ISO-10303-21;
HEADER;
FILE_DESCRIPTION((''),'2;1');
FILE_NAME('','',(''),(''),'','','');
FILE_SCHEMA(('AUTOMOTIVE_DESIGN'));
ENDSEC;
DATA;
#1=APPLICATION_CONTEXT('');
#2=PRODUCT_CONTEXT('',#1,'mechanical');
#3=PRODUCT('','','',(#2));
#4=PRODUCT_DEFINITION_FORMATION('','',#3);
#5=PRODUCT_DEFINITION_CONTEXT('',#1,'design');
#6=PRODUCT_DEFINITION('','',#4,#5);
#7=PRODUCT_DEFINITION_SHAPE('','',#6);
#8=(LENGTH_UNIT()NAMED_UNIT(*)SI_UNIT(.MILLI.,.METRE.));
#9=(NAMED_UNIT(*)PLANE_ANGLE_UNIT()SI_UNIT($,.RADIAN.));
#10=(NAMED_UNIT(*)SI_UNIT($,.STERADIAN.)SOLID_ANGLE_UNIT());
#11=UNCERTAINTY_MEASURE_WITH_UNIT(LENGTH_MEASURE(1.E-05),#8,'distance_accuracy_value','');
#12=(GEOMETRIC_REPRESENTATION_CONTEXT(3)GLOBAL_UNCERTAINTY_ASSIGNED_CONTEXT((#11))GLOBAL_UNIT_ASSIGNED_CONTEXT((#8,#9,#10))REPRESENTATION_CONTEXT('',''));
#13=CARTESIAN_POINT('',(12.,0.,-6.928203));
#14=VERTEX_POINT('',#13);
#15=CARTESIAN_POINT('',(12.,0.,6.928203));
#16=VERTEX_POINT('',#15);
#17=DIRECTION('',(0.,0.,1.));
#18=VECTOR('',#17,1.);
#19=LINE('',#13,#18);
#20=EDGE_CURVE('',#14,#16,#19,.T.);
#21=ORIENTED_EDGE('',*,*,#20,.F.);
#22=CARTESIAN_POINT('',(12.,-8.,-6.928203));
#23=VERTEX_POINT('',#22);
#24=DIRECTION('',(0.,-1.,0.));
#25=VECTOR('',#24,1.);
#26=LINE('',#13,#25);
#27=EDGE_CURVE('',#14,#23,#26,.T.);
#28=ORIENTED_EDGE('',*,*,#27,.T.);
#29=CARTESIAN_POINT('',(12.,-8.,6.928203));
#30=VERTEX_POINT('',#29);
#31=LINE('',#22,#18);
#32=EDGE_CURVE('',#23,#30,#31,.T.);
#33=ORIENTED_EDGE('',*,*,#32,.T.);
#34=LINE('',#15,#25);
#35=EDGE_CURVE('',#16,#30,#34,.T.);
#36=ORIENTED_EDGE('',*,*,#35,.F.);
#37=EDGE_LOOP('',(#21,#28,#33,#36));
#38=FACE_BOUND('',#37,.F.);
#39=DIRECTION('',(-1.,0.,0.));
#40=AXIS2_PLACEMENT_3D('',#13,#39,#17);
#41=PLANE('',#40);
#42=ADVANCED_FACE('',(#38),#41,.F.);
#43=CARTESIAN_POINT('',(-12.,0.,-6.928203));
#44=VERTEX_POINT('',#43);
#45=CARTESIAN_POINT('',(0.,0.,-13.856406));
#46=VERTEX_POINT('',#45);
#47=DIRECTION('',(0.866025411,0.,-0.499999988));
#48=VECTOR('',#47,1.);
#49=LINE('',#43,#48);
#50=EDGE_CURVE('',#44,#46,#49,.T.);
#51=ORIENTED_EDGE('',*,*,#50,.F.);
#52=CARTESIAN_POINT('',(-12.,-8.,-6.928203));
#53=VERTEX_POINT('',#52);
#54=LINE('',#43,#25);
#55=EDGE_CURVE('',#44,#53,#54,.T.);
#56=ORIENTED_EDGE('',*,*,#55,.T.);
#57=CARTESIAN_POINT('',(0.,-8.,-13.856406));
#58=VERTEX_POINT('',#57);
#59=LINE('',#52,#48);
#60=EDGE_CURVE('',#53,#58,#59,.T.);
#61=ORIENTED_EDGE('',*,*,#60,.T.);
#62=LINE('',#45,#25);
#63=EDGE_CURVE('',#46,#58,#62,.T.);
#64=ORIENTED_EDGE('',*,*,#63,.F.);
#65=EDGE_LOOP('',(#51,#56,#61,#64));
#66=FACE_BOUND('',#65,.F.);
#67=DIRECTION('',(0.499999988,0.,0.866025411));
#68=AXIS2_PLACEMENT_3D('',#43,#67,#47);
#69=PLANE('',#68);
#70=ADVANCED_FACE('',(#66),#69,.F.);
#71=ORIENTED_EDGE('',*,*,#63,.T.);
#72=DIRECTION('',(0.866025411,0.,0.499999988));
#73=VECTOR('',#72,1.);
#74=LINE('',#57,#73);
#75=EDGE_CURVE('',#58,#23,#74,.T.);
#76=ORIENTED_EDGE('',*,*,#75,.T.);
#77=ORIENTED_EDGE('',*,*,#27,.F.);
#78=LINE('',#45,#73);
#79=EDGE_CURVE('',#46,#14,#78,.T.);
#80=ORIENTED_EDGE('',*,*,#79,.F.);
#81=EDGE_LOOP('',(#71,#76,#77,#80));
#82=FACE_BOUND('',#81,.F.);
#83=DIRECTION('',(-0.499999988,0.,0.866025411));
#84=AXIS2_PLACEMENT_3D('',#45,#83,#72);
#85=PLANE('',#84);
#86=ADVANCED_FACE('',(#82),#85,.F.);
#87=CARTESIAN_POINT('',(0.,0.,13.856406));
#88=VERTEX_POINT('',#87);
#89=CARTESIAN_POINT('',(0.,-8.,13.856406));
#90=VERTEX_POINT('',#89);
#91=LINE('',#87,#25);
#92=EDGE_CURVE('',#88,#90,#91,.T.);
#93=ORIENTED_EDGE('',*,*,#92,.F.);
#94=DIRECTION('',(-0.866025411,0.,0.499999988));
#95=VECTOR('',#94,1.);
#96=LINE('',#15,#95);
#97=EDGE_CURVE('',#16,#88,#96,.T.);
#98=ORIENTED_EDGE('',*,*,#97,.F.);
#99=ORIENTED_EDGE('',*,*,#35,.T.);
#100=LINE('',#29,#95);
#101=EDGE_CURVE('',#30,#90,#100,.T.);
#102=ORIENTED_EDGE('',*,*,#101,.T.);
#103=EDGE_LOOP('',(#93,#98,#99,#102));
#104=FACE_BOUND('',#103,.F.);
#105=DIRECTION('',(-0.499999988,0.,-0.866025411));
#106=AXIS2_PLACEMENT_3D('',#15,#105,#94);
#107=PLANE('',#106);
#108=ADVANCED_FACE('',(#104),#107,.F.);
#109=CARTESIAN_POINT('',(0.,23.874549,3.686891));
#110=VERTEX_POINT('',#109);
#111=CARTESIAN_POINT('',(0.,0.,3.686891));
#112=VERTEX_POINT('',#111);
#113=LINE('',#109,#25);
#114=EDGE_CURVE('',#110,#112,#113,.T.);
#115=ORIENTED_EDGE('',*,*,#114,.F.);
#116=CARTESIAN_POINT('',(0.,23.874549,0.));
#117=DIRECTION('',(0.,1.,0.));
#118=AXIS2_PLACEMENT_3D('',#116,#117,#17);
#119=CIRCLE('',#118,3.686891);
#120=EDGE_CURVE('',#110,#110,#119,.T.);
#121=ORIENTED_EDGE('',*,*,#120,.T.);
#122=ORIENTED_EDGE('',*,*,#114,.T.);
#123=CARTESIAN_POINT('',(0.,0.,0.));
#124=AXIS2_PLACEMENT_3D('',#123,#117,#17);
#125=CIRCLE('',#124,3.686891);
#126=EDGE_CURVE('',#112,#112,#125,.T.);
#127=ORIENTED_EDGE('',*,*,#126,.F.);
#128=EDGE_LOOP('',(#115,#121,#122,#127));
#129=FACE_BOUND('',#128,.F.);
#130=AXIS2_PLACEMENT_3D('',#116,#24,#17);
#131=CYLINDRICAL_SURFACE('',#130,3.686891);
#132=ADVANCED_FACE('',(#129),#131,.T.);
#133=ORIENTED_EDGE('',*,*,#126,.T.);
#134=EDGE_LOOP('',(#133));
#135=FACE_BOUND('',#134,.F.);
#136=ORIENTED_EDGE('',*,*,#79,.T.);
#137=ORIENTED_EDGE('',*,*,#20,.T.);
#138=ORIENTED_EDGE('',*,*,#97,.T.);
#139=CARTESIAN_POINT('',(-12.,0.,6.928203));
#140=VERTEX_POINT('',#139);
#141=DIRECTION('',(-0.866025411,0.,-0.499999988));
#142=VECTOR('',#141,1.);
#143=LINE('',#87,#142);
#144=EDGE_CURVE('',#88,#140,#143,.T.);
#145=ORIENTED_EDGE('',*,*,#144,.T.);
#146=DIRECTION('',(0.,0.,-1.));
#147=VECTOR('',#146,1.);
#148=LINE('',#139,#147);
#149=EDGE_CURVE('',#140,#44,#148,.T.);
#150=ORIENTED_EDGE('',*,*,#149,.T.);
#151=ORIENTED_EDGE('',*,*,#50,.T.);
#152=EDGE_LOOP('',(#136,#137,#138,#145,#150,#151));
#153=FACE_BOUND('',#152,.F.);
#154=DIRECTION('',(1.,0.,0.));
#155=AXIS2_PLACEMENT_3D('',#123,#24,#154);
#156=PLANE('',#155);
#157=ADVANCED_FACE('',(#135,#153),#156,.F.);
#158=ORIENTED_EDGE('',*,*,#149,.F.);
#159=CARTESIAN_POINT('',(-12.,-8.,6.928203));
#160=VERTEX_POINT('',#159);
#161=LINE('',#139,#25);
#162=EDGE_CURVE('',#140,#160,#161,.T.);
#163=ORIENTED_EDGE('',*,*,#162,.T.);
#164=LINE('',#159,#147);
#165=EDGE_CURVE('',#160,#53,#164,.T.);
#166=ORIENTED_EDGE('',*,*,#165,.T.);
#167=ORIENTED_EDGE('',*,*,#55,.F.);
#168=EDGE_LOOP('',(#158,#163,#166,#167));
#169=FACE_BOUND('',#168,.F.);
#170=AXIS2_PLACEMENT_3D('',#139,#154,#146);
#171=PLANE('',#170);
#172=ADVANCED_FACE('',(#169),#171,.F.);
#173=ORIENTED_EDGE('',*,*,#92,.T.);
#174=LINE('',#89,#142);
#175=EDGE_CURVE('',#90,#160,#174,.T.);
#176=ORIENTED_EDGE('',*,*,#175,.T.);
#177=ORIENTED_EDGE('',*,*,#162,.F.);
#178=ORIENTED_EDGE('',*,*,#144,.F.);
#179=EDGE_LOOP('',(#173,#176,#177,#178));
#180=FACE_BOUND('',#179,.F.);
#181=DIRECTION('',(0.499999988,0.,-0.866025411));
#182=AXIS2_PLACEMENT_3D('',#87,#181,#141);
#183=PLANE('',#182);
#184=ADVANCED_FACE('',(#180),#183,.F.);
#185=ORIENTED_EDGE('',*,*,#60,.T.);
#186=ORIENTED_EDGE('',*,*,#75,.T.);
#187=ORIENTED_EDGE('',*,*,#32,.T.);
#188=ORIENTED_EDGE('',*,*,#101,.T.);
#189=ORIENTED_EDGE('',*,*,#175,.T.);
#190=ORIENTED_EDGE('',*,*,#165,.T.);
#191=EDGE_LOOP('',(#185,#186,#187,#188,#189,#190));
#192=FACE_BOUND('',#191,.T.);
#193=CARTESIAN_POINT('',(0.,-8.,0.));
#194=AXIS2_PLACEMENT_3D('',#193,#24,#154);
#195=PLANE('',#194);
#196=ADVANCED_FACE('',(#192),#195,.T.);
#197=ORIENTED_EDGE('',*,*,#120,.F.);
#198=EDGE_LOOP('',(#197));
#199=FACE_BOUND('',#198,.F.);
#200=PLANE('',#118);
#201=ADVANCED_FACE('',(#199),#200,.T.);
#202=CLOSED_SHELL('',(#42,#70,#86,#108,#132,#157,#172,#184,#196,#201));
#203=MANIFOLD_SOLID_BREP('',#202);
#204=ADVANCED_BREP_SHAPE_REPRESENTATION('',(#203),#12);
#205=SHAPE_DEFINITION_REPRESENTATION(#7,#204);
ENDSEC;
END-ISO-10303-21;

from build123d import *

# Parameters (mm, degrees)
F1_DEPTH = 8


with BuildPart() as f1:
    # F0 (on Front) → F1 (new body)
    with BuildSketch(Plane.XZ):
        Polygon((-12, 6.928203), (-12, -6.928203), (0, -13.856406), (12, -6.928203), (12, 6.928203), (0, 13.856406), align=None)
    extrude(amount=F1_DEPTH)

    # F2 (on Right) → F3 (revolve)
    with BuildSketch(Plane.YZ):
        Polygon((1.602202, 3.686891), (0, 3.686891), (0, 0), (23.874549, 0), (23.874549, 3.686891), align=None)
    revolve(axis=Axis((0, 11.937275, 0), (0, 1, 0)))


solid = f1.part
